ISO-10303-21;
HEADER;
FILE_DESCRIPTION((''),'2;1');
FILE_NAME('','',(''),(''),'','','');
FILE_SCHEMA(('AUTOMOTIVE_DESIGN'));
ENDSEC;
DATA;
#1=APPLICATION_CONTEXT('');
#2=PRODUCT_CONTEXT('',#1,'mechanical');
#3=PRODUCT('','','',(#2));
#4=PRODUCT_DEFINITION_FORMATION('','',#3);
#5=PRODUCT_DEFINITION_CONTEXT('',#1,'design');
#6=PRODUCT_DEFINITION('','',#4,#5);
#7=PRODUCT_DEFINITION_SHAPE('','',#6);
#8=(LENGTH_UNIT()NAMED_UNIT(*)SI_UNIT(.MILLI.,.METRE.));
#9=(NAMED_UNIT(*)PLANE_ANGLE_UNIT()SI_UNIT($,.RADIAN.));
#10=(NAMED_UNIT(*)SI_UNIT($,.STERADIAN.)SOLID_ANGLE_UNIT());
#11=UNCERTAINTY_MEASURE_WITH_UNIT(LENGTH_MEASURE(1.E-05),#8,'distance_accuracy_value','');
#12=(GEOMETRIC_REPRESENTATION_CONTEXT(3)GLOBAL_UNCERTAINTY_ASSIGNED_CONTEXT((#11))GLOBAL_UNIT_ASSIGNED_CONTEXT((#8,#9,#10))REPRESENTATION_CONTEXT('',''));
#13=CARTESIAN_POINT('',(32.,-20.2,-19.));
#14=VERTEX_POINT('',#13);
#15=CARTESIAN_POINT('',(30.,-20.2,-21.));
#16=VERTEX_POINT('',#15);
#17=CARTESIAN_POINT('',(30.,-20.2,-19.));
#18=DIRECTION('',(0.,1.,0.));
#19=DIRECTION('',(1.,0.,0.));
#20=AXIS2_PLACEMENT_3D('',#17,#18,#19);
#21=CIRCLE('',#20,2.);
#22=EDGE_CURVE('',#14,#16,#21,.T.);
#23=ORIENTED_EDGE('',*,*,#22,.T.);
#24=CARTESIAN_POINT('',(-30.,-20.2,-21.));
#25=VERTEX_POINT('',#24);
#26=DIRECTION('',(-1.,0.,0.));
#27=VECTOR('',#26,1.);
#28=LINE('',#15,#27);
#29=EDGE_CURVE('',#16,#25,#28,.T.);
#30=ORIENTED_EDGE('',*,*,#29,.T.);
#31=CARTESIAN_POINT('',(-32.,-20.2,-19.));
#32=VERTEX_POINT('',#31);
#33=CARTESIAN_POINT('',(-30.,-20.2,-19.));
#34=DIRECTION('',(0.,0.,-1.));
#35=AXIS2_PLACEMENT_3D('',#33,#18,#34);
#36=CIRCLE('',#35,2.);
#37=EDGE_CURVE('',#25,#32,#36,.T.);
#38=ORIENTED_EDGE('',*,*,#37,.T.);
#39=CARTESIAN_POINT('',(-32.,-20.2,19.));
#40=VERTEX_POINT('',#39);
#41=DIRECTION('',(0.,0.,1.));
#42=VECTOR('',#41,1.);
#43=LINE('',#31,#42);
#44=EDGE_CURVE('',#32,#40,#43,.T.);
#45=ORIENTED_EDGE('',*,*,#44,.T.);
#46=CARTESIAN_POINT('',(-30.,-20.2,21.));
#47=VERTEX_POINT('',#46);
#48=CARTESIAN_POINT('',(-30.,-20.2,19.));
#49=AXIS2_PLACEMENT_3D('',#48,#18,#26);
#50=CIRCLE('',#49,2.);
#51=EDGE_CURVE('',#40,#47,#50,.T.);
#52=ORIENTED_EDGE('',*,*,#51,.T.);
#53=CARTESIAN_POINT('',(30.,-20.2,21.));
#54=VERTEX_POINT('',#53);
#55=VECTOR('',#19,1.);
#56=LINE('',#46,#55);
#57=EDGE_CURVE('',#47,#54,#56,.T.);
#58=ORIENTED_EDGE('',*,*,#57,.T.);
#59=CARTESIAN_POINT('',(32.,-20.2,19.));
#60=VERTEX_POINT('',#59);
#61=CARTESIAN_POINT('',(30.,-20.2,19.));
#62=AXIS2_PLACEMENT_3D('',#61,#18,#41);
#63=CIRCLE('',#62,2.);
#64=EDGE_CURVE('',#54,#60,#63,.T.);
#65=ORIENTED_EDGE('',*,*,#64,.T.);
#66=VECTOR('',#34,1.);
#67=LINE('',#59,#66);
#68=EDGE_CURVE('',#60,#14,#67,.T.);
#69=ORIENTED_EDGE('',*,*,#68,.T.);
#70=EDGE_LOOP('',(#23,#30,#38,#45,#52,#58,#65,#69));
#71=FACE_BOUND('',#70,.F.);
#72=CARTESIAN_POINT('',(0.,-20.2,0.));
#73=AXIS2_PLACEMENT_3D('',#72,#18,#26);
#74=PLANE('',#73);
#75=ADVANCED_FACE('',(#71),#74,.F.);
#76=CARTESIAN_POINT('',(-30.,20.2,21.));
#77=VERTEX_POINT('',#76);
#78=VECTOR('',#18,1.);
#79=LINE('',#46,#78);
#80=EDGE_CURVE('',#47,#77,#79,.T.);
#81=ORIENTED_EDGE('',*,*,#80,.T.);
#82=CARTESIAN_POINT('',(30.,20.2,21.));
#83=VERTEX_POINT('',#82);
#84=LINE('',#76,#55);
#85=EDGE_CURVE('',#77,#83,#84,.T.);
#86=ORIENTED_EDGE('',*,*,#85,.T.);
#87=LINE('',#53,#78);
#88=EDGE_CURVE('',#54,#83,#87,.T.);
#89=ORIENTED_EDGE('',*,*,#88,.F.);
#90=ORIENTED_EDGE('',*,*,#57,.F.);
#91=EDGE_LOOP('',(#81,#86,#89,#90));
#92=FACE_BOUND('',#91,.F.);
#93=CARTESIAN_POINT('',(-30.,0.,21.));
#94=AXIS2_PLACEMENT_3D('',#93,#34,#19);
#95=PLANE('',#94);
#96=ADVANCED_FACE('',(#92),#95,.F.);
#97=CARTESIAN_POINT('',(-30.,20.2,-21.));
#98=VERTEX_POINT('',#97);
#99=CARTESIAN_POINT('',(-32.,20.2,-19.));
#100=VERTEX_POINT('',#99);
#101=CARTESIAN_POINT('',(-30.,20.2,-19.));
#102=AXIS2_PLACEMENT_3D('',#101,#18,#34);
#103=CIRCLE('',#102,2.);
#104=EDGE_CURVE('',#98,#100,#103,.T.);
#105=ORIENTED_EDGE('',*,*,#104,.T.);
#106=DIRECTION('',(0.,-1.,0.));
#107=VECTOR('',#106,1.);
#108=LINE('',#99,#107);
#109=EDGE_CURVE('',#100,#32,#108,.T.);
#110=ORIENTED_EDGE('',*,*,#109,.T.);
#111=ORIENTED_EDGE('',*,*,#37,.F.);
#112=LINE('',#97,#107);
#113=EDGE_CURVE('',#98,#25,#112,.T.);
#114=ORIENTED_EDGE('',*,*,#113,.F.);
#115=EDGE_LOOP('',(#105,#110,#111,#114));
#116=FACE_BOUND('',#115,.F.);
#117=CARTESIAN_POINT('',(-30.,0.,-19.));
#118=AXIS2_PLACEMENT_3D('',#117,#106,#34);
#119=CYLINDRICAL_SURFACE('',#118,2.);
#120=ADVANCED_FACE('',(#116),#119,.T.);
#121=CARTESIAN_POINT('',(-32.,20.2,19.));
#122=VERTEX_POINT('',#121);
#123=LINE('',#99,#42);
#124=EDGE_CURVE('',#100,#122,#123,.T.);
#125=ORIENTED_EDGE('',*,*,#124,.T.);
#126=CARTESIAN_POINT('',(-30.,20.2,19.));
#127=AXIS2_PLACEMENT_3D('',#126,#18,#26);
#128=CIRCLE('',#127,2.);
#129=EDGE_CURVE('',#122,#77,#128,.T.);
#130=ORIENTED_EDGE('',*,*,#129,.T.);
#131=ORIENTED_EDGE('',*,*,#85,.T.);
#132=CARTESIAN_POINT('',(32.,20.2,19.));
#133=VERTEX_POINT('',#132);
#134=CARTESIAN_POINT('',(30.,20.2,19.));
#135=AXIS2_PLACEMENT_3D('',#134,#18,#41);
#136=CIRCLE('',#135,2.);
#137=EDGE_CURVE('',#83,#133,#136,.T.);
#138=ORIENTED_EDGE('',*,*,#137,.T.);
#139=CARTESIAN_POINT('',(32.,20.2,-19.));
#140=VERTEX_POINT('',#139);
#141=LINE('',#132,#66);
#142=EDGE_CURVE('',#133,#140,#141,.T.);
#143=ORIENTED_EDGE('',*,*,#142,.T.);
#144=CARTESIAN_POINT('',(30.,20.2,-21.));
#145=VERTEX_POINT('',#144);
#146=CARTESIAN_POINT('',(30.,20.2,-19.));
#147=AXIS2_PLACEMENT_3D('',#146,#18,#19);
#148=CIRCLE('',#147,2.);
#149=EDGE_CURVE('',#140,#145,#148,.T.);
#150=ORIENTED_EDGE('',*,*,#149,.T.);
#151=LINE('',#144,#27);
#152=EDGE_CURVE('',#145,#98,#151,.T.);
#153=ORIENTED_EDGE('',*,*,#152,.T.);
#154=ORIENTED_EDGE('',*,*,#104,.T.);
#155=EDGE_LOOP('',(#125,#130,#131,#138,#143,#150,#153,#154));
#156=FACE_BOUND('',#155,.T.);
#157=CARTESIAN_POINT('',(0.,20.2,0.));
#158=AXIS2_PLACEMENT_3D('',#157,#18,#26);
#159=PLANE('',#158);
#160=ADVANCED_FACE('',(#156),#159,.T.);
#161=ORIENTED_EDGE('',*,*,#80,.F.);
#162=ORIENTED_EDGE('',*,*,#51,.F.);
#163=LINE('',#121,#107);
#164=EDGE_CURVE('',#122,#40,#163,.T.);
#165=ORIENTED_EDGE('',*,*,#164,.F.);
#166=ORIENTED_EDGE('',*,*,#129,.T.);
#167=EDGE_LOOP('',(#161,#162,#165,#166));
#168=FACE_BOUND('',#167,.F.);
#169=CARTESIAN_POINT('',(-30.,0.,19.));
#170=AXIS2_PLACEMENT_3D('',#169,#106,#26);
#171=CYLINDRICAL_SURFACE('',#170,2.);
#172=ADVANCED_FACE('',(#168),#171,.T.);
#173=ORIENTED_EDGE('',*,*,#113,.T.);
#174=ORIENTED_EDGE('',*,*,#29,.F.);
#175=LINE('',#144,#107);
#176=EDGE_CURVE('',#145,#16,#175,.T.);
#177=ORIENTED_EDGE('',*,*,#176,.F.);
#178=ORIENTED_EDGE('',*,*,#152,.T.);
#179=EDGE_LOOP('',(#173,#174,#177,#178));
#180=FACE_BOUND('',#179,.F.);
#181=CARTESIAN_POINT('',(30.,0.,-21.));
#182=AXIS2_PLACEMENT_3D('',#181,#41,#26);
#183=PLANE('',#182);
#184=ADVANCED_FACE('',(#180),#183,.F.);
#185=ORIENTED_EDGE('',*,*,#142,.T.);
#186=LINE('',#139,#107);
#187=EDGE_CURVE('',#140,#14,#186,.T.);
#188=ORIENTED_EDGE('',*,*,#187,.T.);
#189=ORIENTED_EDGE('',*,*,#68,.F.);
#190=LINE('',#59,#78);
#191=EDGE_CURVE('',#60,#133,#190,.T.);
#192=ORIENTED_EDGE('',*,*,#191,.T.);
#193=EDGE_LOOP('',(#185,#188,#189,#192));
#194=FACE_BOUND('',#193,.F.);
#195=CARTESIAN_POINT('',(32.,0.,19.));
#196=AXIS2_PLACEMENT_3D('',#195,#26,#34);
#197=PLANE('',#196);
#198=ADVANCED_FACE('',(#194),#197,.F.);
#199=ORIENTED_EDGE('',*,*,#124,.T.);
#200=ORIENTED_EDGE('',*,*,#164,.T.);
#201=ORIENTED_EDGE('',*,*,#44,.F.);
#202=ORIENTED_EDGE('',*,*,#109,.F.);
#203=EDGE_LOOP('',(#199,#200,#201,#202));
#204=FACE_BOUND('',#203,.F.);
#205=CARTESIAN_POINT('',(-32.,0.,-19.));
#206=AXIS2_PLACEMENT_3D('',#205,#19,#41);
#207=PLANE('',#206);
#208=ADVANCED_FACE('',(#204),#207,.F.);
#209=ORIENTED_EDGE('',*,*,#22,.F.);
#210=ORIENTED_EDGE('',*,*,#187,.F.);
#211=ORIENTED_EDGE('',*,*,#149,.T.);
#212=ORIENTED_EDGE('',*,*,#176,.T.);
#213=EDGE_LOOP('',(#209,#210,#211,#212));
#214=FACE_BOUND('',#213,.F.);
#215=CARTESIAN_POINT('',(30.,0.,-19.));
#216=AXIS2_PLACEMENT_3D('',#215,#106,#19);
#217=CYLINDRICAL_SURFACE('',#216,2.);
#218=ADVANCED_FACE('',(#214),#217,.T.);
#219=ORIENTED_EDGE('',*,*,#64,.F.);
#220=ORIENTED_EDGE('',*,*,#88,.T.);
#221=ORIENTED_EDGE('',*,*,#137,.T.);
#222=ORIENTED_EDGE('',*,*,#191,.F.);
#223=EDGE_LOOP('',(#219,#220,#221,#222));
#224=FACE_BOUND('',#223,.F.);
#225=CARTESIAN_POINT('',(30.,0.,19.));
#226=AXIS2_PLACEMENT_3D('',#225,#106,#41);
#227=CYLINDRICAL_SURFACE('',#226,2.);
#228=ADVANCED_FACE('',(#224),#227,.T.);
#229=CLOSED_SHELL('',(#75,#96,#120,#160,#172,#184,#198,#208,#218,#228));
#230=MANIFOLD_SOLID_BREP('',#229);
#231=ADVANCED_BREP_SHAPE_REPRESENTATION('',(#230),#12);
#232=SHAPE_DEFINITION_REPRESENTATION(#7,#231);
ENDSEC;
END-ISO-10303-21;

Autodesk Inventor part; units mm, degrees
ref_plane "YZ Plane" through (0, 0, 0) normal (1, 0, 0) x (0, 1, 0)
ref_plane "XZ Plane" through (0, 0, 0) normal (0, 1, 0) x (-1, 0, 0)
ref_plane "XY Plane" through (0, 0, 0) normal (0, 0, 1) x (1, 0, 0)
sketch "Sketch1" plane through (0, 0, 0) normal (0, 1, 0) x (-1, 0, 0)
  line L0 (30, 21) -> (-30, 21)
  line L1 (-32, 19) -> (-32, -19)
  line L2 (-30, -21) -> (30, -21)
  line L3 (32, -19) -> (32, 19)
  line L4 (32, 21) -> (-32, -21) construction
  line L5 (-32, 21) -> (32, -21) construction
  arc A0 (30, -21) -> (32, -19) centre (30, -19) ccw
  arc A1 (32, 19) -> (30, 21) centre (30, 19) ccw
  arc A2 (-30, 21) -> (-32, 19) centre (-30, 19) ccw
  arc A3 (-32, -19) -> (-30, -21) centre (-30, -19) ccw
  point P0 (0, 0)
  dimension "d0" = 64
  dimension "d1" = 42
  dimension "d2" = 2
extrude "Extrusion1" add sketch "Sketch1" along normal mid plane 40.4
properties part number "Actions_All" material "Paper"
